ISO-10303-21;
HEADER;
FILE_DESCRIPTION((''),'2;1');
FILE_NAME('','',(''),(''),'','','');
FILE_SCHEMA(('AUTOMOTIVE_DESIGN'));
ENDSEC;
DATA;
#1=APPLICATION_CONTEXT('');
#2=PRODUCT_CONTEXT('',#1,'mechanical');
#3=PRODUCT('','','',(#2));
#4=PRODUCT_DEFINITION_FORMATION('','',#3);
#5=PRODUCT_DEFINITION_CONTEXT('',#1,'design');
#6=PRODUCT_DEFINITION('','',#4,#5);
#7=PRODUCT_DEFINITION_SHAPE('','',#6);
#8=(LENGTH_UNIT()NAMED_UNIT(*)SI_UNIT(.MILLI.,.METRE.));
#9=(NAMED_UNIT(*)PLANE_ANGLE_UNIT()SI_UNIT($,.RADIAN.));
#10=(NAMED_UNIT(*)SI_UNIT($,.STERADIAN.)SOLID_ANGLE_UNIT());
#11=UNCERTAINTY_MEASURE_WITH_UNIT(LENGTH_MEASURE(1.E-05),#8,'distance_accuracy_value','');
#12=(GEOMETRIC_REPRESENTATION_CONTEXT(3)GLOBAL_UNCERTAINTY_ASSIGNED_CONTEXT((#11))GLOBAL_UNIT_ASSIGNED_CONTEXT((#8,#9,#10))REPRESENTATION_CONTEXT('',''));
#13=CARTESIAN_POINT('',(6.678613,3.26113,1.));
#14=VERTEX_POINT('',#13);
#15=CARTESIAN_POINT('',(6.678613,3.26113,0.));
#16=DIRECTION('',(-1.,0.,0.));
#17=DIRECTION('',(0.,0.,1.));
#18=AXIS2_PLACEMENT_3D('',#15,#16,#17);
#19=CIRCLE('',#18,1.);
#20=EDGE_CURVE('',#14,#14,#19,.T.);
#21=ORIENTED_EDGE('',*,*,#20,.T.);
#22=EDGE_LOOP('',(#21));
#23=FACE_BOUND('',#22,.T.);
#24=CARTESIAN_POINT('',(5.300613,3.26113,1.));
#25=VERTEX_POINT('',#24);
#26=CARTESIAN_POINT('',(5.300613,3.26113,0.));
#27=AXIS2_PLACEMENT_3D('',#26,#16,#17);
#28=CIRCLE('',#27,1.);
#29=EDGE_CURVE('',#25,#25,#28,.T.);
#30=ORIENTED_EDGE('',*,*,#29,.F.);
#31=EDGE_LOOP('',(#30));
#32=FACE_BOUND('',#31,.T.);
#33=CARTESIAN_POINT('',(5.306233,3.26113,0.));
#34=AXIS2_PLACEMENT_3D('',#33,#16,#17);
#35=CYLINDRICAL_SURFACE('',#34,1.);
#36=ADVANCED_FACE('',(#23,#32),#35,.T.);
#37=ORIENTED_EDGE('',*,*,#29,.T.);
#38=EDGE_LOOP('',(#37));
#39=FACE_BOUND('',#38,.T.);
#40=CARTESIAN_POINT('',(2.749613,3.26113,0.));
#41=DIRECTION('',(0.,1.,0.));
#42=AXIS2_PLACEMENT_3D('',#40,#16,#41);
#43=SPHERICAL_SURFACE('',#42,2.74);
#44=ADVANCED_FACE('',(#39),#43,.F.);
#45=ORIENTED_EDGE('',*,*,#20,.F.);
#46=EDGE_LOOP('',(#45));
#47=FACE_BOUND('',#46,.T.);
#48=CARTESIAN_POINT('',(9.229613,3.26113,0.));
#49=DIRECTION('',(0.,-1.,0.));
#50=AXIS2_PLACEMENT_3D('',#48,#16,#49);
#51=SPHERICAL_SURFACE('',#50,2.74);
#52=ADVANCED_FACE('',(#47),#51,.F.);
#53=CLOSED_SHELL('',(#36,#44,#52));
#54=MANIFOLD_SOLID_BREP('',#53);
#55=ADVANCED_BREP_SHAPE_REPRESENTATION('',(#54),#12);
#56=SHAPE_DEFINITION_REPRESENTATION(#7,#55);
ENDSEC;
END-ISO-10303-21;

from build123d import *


with BuildPart() as part:
    # 草图1 → 旋转1 (revolve)
    with BuildSketch(Plane.XY, mode=Mode.PRIVATE) as revolve_1_sk:
        with BuildLine():
            Line((5.489613269, 3.261130144), (6.489613269, 3.261130144))
            ThreePointArc((6.489613269, 3.261130144), (6.537277901, 3.769982056), (6.678613465, 4.261130144))
            Line((6.678613465, 4.261130144), (5.989613269, 4.261130144))
            Line((5.989613269, 4.261130144), (5.300613073, 4.261130144))
            ThreePointArc((5.300613073, 4.261130144), (5.441948636, 3.769982056), (5.489613269, 3.261130144))
        make_face()
    revolve(revolve_1_sk.sketch.rotate(Axis((5.306232639, 3.261130144, 0), (1, 0, 0)), 90), axis=Axis((5.306232639, 3.261130144, 0), (1, 0, 0)))  # turned: the seam where the file's is


solid = part.part
